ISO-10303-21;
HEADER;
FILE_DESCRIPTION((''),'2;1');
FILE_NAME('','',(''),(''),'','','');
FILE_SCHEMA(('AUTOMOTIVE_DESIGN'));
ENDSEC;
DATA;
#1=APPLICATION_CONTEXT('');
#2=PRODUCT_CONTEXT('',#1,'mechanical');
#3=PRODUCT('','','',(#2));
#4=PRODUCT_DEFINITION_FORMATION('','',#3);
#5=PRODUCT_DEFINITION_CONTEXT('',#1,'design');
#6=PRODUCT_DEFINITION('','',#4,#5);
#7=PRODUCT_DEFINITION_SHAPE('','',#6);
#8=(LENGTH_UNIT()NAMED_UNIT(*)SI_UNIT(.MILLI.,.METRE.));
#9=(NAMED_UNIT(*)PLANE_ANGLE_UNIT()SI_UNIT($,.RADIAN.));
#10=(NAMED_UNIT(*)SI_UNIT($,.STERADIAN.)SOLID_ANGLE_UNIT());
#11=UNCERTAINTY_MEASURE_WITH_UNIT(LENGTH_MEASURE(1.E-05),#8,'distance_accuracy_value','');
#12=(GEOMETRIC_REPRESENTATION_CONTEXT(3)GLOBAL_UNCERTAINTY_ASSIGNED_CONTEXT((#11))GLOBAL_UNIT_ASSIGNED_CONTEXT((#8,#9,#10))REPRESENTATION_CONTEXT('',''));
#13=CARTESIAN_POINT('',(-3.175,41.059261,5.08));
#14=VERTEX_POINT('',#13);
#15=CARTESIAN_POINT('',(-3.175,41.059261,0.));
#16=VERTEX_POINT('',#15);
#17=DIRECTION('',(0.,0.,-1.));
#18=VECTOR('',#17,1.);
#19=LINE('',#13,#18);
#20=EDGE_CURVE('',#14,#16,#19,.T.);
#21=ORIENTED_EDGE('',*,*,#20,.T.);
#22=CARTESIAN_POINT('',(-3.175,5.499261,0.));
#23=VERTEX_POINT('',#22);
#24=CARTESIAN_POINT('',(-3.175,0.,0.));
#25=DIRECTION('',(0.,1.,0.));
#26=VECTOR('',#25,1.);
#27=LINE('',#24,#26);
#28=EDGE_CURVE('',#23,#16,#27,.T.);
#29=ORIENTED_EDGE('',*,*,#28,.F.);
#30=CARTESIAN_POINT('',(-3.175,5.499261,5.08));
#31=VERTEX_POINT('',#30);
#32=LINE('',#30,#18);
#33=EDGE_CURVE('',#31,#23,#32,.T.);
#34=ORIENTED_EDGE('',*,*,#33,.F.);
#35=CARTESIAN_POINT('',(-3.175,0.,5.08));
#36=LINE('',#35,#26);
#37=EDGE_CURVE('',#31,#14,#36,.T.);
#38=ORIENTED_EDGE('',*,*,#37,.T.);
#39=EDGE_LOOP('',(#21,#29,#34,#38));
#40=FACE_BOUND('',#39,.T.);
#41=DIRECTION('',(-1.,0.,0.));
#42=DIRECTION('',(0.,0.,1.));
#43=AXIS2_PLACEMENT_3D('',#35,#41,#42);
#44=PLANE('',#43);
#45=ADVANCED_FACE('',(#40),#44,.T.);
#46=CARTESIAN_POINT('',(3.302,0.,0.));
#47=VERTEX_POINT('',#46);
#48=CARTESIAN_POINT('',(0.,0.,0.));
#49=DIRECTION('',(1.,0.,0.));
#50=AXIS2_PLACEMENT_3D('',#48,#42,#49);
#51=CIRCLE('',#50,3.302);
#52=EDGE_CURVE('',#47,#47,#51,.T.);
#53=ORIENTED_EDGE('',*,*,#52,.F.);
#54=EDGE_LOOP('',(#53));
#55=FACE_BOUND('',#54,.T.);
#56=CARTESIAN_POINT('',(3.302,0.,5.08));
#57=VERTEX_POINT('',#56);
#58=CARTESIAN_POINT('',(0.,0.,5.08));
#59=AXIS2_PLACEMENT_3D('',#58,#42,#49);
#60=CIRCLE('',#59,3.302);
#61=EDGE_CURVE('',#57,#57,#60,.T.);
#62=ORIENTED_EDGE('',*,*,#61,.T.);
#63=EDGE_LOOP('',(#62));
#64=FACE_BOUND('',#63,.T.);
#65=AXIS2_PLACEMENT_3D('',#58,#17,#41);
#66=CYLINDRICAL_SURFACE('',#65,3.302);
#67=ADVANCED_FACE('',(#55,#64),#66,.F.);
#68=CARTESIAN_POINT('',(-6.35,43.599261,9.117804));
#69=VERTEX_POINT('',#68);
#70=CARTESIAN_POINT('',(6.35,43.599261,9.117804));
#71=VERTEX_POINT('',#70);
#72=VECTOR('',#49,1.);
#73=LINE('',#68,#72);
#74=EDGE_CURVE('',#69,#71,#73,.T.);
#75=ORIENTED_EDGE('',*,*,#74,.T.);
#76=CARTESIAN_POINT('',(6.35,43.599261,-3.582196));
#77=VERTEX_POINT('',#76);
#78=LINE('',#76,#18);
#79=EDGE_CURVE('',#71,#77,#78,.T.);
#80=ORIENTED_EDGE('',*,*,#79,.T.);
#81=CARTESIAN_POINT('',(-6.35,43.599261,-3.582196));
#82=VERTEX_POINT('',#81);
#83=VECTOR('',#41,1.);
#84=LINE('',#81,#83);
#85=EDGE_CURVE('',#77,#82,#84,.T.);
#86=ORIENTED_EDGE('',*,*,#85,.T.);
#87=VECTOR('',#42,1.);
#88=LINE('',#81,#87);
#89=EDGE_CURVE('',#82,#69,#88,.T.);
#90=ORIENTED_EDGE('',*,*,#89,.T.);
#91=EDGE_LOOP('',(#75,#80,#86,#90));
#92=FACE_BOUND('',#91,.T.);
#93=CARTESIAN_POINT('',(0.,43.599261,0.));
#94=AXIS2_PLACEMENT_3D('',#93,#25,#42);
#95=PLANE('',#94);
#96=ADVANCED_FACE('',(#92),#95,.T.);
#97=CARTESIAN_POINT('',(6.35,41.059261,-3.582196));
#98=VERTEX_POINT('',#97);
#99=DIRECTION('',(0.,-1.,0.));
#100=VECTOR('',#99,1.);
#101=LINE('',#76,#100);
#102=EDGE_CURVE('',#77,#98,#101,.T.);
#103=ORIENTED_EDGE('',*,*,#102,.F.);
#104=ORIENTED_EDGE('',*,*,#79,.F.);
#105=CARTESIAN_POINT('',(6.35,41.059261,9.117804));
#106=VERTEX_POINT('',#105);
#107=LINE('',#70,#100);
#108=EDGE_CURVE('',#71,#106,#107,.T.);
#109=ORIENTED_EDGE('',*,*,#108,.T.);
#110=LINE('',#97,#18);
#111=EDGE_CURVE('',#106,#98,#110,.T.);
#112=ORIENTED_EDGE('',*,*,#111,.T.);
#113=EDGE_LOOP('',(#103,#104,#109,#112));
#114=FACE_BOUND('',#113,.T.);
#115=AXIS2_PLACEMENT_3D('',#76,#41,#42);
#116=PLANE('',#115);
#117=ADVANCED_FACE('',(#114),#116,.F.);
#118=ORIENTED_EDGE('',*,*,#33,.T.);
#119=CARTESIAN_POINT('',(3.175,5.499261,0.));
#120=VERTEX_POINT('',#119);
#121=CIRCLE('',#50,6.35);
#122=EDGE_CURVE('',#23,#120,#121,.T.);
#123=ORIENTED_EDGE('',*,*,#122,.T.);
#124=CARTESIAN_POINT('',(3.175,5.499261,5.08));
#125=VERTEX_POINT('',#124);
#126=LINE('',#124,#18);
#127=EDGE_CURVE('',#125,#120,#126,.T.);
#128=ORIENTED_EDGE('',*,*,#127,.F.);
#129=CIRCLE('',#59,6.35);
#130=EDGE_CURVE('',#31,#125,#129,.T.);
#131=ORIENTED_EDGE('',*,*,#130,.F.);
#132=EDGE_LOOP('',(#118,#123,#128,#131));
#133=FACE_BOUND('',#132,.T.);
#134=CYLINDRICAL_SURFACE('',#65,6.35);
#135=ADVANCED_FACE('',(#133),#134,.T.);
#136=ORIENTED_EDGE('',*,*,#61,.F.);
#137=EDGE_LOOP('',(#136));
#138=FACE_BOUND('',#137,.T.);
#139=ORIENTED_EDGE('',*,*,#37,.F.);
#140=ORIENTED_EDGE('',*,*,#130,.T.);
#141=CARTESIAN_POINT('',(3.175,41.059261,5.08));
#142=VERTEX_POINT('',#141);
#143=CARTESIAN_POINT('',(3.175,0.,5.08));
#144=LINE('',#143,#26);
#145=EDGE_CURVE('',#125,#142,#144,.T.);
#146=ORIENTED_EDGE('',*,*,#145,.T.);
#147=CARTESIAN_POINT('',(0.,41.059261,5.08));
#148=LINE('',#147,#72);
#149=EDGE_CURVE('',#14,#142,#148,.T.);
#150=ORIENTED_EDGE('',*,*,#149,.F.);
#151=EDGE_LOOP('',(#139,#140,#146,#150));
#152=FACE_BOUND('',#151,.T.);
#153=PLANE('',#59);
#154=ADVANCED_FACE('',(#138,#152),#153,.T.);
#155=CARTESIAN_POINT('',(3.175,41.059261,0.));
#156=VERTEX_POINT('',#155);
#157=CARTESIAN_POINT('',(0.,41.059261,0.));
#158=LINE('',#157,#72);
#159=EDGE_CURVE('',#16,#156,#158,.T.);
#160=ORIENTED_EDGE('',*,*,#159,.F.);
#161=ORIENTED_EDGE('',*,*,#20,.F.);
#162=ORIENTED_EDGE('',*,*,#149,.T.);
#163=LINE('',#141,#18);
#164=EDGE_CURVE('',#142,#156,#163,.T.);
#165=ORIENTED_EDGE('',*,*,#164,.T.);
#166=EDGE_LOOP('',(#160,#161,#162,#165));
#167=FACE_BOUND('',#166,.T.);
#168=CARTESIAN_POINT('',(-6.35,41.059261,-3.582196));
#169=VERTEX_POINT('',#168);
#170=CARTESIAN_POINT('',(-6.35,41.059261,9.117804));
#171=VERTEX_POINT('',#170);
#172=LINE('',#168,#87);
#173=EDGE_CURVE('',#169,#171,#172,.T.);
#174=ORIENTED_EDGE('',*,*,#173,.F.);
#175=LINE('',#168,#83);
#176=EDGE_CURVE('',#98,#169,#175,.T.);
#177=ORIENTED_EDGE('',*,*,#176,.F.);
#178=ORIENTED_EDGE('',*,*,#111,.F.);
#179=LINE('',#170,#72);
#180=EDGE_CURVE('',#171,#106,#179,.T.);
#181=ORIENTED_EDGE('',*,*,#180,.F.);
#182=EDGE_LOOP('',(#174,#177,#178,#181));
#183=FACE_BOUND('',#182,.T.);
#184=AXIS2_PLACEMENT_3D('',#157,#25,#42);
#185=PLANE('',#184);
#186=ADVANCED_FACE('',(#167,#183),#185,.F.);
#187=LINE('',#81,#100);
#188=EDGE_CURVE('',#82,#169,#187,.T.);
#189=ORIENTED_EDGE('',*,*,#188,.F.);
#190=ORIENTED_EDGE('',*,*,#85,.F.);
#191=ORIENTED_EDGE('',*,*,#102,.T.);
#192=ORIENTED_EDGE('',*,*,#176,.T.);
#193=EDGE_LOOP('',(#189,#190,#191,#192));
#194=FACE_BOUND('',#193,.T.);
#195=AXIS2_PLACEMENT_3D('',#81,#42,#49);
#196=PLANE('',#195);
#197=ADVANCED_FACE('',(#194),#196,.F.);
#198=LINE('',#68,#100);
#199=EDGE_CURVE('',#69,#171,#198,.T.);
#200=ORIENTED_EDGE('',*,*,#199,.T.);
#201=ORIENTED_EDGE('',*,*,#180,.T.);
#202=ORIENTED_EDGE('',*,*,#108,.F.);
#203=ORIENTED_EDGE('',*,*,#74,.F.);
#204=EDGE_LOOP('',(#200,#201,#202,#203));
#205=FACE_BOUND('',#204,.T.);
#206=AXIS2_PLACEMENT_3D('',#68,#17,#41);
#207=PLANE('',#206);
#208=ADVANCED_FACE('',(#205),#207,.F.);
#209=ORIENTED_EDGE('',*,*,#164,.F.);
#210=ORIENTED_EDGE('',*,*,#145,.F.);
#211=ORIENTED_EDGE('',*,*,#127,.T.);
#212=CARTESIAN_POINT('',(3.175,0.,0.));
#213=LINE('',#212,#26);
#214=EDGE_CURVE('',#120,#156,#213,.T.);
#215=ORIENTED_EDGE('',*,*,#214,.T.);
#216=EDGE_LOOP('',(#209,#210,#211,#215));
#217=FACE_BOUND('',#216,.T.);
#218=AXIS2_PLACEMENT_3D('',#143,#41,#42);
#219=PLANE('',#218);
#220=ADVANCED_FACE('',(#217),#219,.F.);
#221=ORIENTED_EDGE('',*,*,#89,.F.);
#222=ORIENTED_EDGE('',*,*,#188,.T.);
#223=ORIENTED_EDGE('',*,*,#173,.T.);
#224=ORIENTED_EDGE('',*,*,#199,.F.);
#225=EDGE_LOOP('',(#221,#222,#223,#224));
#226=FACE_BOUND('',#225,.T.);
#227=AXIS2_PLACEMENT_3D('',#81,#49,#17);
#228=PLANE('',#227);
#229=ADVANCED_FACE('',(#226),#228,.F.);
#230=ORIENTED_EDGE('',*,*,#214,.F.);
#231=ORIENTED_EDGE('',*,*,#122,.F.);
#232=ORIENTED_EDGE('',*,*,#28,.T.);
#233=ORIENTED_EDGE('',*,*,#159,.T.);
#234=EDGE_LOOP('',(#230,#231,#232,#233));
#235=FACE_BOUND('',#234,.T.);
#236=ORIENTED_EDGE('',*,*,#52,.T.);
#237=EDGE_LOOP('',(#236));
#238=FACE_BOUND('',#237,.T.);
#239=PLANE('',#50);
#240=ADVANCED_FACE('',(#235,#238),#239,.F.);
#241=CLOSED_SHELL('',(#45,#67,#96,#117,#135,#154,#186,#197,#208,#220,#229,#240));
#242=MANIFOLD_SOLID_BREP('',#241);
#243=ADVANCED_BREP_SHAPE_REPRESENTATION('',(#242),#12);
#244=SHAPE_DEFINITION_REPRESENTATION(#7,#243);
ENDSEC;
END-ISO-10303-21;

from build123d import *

# Parameters (mm, degrees)
SKETCH1_R           = 6.35
SKETCH1_R_2         = 3.302
BOSS_EXTRUDE1_DEPTH = 5.08
SKETCH2_W           = 12.7
SKETCH2_H           = 12.7
BOSS_EXTRUDE2_DEPTH = 2.54


with BuildPart() as part:
    # Sketch1 → Boss-Extrude1 (new body)
    # profile 1 of 2: a face of its own
    with BuildSketch(Plane.XY):
        Circle(SKETCH1_R)
        Circle(SKETCH1_R_2, mode=Mode.SUBTRACT)
    # profile 2 of 2: a face of its own
    with BuildSketch(Plane.XY):
        with BuildLine():
            ThreePointArc((-3.175, 5.499261314), (0, 6.35), (3.175, 5.499261314))
            Line((3.175, 5.499261314), (3.175, 41.059261314))
            Line((3.175, 41.059261314), (-3.175, 41.059261314))
            Line((-3.175, 41.059261314), (-3.175, 5.499261314))
        make_face()
    extrude(amount=BOSS_EXTRUDE1_DEPTH)

    # Sketch2 → Boss-Extrude2 (add)
    with BuildSketch(Plane(origin=(0, 41.059261314, 0), x_dir=(1, 0, 0), z_dir=(0, 1, 0))):
        with Locations((0, -2.767803864)):
            Rectangle(SKETCH2_W, SKETCH2_H)
    extrude(amount=BOSS_EXTRUDE2_DEPTH)


solid = part.part
